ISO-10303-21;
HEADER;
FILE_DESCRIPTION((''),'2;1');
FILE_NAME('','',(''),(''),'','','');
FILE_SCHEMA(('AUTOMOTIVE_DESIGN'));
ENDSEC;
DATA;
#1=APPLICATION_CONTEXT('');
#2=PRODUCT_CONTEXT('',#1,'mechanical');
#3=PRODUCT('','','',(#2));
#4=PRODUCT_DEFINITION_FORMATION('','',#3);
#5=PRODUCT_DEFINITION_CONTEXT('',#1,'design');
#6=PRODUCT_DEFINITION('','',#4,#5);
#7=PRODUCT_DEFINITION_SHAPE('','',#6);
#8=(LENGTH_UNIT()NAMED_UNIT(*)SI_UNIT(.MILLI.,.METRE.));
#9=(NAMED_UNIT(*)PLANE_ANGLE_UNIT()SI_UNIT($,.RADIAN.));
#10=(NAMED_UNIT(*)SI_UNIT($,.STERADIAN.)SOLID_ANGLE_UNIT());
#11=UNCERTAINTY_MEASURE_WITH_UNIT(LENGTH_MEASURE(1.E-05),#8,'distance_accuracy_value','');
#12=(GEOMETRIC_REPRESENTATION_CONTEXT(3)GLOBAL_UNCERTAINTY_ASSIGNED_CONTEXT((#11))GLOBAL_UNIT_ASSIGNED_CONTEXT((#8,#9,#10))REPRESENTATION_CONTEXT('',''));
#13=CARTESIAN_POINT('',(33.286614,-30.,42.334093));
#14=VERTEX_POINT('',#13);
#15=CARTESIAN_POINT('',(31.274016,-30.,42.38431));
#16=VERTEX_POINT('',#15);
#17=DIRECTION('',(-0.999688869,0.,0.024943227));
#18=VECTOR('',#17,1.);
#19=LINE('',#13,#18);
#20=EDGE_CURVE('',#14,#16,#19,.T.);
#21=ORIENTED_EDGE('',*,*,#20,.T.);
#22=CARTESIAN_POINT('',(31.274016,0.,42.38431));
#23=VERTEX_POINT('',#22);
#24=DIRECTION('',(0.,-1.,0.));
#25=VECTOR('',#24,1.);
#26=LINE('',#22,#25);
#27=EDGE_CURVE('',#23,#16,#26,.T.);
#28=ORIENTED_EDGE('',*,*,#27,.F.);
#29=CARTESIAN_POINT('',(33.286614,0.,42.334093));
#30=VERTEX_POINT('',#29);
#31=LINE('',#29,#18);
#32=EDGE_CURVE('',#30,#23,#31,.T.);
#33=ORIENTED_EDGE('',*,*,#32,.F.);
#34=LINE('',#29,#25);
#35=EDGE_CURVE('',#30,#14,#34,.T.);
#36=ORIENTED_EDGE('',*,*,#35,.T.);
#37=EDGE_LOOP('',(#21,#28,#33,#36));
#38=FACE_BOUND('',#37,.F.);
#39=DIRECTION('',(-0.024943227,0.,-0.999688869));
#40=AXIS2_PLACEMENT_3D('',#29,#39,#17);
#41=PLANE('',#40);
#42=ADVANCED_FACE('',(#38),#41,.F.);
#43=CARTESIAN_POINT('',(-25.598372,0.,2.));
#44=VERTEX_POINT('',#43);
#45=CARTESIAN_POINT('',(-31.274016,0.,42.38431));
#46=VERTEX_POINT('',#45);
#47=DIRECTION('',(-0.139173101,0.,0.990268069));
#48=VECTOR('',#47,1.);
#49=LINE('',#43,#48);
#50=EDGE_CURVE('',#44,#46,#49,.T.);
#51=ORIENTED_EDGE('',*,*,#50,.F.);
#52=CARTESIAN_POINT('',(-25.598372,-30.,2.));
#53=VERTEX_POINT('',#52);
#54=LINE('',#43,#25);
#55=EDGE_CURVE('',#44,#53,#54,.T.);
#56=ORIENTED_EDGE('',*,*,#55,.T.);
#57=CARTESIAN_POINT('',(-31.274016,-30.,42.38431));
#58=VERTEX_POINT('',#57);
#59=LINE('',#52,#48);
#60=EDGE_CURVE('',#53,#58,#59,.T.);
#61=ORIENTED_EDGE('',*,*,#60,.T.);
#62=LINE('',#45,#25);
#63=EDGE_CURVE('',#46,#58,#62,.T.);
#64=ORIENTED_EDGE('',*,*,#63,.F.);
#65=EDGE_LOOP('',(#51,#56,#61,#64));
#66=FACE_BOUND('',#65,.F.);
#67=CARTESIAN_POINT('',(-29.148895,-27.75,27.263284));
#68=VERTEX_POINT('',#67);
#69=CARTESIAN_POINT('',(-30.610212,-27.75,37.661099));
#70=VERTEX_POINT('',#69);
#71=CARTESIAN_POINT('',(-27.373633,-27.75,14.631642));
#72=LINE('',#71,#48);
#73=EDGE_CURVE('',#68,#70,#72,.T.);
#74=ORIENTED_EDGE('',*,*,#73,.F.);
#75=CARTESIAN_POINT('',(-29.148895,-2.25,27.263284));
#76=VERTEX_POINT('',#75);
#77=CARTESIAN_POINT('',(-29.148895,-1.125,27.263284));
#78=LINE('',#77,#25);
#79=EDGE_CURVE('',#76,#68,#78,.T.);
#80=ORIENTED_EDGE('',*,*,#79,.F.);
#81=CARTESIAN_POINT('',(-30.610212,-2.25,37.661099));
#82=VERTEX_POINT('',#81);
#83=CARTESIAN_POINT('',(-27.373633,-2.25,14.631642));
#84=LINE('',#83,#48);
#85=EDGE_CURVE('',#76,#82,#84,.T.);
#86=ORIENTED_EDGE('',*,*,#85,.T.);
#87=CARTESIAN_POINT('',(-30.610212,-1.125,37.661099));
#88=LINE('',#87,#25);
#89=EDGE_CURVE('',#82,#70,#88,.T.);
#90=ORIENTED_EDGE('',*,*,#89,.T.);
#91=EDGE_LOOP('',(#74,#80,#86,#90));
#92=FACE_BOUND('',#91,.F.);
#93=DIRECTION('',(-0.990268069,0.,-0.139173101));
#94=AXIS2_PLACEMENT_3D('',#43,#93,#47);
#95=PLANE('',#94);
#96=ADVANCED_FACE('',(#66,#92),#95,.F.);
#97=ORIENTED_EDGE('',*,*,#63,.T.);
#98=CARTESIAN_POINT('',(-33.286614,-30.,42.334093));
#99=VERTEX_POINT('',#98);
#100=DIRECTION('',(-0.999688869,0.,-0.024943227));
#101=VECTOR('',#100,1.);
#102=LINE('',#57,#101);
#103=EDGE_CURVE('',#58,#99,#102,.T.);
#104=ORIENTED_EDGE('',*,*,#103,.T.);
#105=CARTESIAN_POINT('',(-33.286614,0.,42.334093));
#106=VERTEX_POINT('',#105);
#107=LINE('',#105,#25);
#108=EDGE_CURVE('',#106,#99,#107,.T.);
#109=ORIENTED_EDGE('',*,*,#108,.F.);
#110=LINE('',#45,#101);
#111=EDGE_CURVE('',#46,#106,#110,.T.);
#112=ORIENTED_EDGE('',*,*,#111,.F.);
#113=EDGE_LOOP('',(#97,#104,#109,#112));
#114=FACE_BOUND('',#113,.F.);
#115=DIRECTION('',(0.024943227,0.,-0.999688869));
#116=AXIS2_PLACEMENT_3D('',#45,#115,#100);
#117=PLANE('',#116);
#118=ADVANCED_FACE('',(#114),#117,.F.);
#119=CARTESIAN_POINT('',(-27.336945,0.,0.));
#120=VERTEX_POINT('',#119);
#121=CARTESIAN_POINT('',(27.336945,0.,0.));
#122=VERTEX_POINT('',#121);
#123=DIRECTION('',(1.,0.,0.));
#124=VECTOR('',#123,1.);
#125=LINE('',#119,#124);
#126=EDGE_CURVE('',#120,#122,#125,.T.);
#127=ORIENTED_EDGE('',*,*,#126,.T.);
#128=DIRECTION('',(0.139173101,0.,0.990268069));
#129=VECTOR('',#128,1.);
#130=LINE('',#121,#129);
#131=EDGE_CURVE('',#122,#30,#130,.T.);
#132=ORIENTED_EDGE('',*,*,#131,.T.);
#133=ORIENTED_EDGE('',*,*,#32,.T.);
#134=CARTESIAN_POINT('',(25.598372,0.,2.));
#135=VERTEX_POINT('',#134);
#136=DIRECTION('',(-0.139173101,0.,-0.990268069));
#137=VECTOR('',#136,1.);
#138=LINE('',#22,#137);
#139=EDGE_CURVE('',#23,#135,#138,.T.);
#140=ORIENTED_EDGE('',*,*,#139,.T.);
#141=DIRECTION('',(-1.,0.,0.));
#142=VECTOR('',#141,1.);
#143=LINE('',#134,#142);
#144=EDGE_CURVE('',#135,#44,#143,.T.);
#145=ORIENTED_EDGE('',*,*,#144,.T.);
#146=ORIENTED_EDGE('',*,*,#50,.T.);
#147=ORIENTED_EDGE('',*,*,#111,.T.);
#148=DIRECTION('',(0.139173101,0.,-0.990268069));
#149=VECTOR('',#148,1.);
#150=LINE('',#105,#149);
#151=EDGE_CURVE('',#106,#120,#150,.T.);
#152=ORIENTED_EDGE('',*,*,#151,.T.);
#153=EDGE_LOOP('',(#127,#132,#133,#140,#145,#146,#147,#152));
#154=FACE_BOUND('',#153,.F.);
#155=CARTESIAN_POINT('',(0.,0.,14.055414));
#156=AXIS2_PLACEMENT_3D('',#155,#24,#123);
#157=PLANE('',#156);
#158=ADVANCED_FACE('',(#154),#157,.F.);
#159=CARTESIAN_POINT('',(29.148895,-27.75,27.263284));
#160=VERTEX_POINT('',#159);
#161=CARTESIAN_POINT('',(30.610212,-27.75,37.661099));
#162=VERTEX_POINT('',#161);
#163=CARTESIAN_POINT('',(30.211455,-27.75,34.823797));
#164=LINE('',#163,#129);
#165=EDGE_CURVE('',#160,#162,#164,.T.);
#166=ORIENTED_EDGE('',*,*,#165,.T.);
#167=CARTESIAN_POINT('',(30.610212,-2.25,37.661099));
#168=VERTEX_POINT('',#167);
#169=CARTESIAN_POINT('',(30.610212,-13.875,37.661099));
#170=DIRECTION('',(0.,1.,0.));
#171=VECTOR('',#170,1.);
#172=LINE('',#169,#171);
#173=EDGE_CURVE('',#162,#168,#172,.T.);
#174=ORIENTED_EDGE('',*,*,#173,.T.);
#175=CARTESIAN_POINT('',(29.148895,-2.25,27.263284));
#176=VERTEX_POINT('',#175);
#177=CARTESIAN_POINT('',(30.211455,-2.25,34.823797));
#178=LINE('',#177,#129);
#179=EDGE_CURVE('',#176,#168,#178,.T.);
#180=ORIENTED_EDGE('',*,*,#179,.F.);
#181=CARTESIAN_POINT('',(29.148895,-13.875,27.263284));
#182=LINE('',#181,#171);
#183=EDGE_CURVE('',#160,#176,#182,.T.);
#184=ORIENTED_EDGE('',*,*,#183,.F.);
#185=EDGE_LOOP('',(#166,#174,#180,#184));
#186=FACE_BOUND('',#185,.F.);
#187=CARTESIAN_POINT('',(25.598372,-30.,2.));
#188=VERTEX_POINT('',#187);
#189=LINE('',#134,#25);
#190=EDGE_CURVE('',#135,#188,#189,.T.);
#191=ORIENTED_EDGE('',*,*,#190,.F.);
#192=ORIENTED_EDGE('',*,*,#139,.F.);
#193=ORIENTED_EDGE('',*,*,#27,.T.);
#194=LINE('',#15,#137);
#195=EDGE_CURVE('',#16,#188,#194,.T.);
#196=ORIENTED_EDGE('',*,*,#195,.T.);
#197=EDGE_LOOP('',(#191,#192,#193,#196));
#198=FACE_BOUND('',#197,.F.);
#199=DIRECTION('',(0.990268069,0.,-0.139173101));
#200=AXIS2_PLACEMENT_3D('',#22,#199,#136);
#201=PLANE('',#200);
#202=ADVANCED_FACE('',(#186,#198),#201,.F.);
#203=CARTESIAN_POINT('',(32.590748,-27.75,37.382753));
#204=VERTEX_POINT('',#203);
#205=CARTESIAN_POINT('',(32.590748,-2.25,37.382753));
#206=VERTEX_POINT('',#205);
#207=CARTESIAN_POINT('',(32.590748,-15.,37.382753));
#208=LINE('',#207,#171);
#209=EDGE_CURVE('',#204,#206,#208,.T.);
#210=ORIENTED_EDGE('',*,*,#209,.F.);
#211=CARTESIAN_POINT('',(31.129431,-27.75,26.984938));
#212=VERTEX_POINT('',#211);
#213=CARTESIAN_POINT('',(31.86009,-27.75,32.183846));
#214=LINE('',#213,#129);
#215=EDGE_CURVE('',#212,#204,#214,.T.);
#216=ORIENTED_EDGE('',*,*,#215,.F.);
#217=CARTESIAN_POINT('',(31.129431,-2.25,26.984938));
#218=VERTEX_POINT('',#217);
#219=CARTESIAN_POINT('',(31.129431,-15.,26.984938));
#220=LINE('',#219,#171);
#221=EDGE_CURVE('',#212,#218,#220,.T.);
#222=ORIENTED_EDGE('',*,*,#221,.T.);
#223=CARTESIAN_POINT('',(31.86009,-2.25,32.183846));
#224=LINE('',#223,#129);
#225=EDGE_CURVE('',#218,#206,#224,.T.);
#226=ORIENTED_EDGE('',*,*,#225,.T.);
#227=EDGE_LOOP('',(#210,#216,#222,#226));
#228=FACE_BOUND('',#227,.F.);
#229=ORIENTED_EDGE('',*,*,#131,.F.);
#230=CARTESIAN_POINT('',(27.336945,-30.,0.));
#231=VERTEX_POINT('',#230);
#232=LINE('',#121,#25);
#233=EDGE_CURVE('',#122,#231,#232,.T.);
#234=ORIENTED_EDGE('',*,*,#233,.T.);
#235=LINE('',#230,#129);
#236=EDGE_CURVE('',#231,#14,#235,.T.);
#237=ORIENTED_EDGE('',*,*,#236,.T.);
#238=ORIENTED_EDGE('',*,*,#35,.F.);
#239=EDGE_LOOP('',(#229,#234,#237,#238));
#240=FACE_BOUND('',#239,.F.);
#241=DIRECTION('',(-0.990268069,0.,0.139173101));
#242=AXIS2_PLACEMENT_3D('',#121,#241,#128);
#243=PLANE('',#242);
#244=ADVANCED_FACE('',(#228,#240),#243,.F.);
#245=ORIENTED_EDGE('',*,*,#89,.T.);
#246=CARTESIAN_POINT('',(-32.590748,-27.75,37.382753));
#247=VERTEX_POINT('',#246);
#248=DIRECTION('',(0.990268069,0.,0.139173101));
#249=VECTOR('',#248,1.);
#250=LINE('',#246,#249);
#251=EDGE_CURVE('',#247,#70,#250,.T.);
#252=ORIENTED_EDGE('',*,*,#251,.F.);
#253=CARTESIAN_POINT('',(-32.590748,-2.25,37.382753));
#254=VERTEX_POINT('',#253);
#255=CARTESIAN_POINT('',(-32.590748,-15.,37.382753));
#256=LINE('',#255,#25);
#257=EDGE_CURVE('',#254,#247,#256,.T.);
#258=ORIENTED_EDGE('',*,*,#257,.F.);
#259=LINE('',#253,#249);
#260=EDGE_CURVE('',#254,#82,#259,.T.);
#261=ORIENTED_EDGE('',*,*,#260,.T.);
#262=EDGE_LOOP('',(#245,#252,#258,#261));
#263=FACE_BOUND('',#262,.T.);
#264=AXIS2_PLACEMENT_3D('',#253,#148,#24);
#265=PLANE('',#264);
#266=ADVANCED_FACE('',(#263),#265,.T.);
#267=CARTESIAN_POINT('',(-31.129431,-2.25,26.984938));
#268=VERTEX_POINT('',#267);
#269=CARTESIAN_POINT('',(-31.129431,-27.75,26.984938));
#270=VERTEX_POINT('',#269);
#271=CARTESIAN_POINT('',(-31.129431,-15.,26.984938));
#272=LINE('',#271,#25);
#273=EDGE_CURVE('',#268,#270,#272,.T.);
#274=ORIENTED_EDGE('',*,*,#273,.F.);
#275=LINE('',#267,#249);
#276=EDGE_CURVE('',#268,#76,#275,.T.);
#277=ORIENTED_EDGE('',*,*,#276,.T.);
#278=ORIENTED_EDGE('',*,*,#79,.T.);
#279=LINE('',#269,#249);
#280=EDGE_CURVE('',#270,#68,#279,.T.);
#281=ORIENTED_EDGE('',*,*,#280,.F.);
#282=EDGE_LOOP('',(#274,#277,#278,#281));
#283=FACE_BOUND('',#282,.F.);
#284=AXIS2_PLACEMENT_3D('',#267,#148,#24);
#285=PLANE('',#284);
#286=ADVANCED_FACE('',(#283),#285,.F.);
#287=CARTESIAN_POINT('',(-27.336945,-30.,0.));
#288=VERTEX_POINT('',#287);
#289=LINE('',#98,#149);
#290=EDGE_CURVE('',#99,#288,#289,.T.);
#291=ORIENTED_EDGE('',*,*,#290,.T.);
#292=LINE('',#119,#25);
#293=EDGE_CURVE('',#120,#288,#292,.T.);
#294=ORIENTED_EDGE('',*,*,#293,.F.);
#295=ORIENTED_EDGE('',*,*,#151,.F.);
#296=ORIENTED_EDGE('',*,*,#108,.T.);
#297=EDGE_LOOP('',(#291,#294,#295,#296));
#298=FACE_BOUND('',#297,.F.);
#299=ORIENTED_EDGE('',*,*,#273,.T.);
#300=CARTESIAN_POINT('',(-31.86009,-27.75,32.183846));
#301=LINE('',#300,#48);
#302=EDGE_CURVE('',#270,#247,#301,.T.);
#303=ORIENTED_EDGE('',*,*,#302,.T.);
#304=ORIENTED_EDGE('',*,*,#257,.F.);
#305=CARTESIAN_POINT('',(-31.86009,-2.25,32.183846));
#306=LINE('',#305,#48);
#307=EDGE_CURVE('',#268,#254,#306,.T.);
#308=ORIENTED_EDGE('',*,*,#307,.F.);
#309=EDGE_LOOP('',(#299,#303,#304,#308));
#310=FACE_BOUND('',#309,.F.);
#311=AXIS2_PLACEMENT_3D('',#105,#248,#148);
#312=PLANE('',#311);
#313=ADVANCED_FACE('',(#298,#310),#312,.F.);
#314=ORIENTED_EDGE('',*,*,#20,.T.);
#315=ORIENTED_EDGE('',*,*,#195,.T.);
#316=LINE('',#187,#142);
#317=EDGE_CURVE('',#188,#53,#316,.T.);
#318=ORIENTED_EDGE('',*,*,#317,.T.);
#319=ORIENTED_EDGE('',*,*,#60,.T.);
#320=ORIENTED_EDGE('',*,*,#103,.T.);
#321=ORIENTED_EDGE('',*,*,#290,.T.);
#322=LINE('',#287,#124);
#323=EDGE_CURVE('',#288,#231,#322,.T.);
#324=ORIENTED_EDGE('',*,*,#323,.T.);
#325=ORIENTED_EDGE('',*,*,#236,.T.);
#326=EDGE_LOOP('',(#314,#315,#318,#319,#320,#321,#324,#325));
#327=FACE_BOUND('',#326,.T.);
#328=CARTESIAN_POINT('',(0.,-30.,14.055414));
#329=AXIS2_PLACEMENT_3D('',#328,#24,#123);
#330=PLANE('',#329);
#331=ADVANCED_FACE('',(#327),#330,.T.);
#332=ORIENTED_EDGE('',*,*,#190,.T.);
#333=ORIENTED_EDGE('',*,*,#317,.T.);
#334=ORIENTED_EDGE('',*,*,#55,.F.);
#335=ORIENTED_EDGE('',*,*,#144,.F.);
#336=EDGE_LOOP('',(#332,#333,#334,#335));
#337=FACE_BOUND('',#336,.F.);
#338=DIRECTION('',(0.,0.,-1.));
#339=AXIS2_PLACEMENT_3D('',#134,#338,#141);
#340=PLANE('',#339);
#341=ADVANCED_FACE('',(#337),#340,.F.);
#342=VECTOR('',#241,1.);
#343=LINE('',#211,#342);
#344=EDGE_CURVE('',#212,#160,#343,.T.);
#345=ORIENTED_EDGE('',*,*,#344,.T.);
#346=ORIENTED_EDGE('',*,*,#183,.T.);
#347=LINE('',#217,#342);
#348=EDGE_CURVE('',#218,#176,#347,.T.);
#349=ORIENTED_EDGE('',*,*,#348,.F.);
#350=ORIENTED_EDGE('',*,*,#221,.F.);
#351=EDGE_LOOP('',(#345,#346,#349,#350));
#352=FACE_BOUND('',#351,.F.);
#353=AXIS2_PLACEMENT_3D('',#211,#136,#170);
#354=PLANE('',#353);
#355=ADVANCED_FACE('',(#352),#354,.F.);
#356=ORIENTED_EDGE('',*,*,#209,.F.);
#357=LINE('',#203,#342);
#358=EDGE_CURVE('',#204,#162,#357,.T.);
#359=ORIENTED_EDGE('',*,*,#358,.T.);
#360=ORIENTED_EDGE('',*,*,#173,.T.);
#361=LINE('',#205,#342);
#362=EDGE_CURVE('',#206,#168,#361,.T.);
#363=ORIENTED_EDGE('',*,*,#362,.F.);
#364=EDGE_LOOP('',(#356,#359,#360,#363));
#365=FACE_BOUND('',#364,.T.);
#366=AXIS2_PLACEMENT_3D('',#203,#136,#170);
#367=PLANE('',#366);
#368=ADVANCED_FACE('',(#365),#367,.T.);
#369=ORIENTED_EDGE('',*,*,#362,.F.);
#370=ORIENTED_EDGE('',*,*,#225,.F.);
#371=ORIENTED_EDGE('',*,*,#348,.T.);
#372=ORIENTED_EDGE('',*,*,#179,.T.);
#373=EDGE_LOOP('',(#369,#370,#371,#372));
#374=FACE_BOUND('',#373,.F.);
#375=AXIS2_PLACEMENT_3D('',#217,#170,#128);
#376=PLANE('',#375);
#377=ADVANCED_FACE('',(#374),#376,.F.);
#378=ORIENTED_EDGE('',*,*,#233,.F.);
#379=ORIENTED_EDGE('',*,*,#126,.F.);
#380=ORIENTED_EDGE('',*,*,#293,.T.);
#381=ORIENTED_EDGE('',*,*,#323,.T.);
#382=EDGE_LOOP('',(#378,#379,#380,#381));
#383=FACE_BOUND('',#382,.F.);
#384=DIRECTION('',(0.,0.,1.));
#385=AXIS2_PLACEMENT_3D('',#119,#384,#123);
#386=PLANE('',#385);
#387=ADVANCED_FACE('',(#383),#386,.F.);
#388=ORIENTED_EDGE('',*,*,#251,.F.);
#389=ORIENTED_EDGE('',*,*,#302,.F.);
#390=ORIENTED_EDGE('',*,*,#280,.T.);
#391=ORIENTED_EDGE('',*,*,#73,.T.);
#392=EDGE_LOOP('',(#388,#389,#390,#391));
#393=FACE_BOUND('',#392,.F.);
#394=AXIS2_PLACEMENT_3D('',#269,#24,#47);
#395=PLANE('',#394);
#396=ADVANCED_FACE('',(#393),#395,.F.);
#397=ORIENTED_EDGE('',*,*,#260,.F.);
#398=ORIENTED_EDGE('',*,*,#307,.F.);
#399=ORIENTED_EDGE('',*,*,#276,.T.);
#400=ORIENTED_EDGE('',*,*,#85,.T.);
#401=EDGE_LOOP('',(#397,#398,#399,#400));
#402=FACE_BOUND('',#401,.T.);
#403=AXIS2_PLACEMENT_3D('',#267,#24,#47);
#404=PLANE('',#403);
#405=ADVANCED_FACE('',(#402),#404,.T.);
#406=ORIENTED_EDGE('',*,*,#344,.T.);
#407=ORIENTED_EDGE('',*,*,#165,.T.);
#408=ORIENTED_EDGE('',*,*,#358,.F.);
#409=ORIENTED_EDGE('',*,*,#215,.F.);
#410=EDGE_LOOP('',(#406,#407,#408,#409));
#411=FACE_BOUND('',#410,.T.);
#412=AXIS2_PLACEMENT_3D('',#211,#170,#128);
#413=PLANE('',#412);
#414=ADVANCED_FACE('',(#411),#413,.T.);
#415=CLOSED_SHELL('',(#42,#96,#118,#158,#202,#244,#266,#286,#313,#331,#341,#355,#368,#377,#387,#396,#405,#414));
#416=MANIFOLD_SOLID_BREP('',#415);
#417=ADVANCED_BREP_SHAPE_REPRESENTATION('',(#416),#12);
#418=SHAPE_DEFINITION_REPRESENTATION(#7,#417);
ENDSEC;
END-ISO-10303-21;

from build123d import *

# Parameters (mm, degrees)
F1_DEPTH = 30
F2_W     = 25.5
F2_H     = 10.5
F3_DEPTH = 5
F4_W     = 25.5
F4_H     = 10.5
F5_DEPTH = 5


with BuildPart() as f1:
    # F0 (on Front) → F1 (new body)
    with BuildSketch(Plane.XZ):
        Polygon((0.0016284716, 2), (-0.0016284716, 2), (-25.5983715284, 2), (-31.2740161038, 42.3843095671), (-33.2866138074, 42.3340932619), (-27.336945004, 0), (0, 0), (27.336945004, 0), (33.2866138074, 42.3340932619), (31.2740161038, 42.3843095671), (25.5983715284, 2), align=None)
    extrude(amount=F1_DEPTH)

    # F2 (on face) → F3 (cut)
    with BuildSketch(Plane(origin=(26.8074515602, 0, -3.7675416185), x_dir=(0, 1, 0), z_dir=(0.9902680687, 0, -0.139173101))):
        with Locations((-15, 36.3047020404)):
            Rectangle(F2_W, F2_H)
    extrude(amount=-F3_DEPTH, mode=Mode.SUBTRACT)

    # F4 (on face) → F5 (cut)
    with BuildSketch(Plane(origin=(-26.8074515602, 0, -3.7675416185), x_dir=(0, -1, 0), z_dir=(-0.9902680687, 0, -0.139173101))):
        with Locations((15, 36.3047020404)):
            Rectangle(F4_W, F4_H)
    extrude(amount=-F5_DEPTH, mode=Mode.SUBTRACT)


solid = f1.part
